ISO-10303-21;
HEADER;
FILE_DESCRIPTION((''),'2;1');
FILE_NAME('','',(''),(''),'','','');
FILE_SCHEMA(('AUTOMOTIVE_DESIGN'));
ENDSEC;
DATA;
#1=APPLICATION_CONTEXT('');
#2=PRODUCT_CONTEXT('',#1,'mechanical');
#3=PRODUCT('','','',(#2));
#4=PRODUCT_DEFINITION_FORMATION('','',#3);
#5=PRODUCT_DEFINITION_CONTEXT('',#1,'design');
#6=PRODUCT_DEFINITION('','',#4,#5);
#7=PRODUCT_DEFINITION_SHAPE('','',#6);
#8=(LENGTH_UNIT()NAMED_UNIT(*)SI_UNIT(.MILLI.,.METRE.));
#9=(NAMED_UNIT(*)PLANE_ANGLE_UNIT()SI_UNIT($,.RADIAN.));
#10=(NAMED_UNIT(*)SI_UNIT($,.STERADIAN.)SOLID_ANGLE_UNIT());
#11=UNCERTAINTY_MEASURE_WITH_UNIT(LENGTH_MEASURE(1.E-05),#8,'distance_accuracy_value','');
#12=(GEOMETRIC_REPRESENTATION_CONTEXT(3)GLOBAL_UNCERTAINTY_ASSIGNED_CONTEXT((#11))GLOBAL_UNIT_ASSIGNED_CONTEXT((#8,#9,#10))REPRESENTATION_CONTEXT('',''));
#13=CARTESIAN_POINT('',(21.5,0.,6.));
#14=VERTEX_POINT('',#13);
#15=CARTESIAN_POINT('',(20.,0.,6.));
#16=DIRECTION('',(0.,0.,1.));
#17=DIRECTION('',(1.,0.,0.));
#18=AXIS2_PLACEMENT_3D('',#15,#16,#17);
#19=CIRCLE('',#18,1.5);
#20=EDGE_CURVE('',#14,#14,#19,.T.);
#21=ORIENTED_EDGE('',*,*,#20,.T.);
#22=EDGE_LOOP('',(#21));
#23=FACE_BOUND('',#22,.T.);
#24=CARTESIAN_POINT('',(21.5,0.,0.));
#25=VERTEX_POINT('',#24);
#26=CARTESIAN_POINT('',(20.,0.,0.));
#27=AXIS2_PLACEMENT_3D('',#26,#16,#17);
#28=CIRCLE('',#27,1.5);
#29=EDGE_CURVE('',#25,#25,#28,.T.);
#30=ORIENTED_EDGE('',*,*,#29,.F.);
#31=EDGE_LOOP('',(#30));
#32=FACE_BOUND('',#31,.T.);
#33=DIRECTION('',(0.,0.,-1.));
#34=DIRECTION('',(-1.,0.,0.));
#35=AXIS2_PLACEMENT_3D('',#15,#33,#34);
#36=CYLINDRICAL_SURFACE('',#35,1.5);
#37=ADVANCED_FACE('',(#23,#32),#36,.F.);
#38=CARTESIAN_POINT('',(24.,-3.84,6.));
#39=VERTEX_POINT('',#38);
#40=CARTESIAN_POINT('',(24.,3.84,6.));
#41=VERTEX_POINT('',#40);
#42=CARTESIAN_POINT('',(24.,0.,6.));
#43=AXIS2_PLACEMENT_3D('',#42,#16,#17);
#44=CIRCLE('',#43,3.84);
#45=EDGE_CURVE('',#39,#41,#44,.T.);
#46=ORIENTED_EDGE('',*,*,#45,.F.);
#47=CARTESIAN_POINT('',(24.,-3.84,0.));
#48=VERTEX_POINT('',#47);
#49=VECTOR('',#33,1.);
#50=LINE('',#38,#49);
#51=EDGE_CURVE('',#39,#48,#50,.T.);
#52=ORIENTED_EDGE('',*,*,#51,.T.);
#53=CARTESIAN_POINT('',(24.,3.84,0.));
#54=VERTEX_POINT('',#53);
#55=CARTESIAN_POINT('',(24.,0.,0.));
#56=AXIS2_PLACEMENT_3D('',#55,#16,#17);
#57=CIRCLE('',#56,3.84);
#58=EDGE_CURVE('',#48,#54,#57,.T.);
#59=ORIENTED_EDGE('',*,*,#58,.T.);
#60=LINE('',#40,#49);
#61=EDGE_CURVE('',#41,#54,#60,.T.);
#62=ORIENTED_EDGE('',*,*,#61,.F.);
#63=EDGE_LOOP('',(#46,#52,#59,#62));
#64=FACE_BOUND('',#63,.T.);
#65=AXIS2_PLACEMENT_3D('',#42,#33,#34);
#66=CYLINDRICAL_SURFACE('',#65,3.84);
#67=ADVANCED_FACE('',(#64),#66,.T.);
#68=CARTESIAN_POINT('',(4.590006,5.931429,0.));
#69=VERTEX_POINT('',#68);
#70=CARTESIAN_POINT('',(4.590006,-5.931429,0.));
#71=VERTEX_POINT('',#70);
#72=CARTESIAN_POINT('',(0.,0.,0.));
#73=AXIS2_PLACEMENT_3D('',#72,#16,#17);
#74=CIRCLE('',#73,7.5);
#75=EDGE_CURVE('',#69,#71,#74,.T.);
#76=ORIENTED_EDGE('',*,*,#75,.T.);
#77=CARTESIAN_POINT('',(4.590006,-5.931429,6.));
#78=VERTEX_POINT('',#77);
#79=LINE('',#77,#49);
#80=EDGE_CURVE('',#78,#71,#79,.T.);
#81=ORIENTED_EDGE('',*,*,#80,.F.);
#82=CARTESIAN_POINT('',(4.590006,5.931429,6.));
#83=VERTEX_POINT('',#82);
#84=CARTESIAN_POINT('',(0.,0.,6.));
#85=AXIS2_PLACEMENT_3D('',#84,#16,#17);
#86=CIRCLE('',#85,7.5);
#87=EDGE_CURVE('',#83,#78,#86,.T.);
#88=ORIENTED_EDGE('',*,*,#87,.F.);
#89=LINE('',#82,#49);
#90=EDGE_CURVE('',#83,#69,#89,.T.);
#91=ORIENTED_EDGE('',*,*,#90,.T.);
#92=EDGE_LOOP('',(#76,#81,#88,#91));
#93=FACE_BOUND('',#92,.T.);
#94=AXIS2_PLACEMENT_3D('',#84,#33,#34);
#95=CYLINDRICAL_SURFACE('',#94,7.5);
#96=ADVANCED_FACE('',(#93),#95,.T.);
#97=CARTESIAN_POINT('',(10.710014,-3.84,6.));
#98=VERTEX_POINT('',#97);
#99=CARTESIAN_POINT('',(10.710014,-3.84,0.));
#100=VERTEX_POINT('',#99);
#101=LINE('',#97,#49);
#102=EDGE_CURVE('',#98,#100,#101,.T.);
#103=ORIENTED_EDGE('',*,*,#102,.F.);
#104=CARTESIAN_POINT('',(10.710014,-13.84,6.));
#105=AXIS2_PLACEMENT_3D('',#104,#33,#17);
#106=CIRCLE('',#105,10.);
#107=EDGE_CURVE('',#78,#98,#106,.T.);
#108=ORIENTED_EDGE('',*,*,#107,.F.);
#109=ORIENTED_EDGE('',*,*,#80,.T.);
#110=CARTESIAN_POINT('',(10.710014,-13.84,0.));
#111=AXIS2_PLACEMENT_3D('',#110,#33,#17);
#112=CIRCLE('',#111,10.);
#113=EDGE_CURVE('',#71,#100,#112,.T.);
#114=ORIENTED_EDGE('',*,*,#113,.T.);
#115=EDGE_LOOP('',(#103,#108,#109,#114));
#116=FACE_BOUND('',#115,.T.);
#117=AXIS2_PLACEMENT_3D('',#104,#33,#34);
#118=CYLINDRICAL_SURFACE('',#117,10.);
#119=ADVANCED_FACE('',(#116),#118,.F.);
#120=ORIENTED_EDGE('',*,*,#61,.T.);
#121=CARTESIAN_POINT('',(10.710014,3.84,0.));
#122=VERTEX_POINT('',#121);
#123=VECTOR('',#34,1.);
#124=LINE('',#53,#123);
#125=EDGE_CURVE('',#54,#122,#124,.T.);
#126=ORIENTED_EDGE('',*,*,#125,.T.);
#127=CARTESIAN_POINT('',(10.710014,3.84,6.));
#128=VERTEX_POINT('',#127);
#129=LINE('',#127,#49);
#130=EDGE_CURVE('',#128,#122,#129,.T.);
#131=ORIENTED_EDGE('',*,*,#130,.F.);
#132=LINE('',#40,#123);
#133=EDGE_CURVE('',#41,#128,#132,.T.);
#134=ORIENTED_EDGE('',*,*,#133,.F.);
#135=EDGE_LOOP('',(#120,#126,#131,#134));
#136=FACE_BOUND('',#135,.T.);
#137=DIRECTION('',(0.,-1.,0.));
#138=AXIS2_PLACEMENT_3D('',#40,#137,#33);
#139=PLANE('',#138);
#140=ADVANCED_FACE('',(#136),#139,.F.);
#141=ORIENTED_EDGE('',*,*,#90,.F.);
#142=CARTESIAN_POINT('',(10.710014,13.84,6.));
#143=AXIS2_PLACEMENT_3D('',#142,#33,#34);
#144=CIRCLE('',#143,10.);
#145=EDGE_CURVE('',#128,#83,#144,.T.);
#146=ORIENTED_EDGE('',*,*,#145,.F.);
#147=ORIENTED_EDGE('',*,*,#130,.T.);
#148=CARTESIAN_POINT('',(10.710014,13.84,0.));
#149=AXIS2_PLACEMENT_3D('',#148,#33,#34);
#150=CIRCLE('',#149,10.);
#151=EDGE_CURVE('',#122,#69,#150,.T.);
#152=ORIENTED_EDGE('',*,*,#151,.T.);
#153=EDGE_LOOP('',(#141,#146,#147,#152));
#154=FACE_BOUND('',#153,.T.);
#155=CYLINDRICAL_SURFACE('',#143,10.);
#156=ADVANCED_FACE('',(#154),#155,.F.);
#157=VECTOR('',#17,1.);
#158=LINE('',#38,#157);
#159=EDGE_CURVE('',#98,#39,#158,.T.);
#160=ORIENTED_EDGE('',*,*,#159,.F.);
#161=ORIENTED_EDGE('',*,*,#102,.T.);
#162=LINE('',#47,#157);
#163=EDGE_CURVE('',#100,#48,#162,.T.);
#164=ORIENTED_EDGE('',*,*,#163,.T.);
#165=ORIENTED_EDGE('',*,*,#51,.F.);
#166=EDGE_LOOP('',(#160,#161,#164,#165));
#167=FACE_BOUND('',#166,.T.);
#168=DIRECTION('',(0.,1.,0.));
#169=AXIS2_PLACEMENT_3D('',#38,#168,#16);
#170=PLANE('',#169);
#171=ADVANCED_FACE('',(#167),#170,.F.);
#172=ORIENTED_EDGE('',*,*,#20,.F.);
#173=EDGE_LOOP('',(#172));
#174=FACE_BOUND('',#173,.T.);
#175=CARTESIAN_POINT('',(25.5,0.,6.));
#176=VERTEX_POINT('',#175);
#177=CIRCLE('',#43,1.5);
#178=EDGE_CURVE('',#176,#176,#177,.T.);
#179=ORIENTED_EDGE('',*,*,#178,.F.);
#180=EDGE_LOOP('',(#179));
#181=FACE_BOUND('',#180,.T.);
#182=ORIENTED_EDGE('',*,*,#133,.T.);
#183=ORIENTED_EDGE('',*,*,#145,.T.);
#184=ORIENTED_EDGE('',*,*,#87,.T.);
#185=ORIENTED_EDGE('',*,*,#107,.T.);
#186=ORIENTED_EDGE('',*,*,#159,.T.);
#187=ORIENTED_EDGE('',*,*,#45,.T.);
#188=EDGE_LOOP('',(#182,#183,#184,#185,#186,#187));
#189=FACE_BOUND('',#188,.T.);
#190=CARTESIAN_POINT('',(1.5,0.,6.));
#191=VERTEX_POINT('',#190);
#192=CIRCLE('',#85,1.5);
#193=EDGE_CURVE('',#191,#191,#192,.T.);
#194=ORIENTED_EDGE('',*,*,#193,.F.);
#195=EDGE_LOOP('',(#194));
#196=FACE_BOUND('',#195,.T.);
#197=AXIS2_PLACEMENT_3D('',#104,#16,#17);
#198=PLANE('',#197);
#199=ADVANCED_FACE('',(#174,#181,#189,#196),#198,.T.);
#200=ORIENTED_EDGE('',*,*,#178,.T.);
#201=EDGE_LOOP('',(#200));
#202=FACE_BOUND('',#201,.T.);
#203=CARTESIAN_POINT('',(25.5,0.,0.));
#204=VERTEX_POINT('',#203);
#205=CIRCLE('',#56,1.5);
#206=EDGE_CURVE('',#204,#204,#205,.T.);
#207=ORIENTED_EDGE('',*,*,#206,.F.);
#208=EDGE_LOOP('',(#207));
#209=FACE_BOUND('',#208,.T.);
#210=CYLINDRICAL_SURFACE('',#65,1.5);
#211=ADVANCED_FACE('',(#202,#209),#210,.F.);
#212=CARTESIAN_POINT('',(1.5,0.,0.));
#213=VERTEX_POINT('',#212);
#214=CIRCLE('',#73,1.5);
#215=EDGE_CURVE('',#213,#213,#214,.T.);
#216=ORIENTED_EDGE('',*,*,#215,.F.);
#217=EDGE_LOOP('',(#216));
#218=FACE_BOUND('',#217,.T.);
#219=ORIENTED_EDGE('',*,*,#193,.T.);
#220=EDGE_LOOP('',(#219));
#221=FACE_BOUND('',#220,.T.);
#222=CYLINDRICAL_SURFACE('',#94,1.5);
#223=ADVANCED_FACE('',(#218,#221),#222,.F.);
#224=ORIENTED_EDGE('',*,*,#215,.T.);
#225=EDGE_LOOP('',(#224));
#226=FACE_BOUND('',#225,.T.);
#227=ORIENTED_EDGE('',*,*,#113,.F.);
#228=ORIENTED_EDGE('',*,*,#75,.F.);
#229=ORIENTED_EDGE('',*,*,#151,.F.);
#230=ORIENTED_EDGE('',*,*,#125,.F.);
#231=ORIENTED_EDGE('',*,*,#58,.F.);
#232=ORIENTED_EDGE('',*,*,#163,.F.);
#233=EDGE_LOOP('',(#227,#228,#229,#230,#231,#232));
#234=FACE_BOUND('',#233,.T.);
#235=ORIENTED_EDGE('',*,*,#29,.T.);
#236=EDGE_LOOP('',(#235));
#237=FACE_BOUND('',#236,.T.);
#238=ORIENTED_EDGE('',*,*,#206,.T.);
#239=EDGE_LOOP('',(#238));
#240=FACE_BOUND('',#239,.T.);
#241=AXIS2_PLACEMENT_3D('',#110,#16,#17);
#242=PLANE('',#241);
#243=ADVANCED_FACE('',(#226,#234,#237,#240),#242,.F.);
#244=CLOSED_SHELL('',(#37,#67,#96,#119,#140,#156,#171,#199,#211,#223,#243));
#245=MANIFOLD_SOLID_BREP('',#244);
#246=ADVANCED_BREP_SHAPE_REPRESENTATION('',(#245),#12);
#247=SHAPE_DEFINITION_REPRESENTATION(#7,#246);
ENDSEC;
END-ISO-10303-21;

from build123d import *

# Parameters (mm, degrees)
SKETCH_1_R      = 1.5
EXTRUDE_2_DEPTH = 6


with BuildPart() as part:
    # 草图1 → 凸台-拉伸2 (new body)
    with BuildSketch(Plane.XY):
        with BuildLine():
            Line((24, 3.84), (10.710014006, 3.84))
            ThreePointArc((10.710014006, 3.84), (7.476263419, 4.377291236), (4.590006002, 5.931428571))
            ThreePointArc((4.590006002, 5.931428571), (-7.5, 0), (4.590006002, -5.931428571))
            ThreePointArc((4.590006002, -5.931428571), (7.476263419, -4.377291236), (10.710014006, -3.84))
            Line((10.710014006, -3.84), (24, -3.84))
            ThreePointArc((24, -3.84), (27.84, 0), (24, 3.84))
        make_face()
        Circle(SKETCH_1_R, mode=Mode.SUBTRACT)
        with Locations((20, 0)):
            Circle(SKETCH_1_R, mode=Mode.SUBTRACT)
        with Locations((24, 0)):
            Circle(SKETCH_1_R, mode=Mode.SUBTRACT)
    extrude(amount=EXTRUDE_2_DEPTH)


solid = part.part
